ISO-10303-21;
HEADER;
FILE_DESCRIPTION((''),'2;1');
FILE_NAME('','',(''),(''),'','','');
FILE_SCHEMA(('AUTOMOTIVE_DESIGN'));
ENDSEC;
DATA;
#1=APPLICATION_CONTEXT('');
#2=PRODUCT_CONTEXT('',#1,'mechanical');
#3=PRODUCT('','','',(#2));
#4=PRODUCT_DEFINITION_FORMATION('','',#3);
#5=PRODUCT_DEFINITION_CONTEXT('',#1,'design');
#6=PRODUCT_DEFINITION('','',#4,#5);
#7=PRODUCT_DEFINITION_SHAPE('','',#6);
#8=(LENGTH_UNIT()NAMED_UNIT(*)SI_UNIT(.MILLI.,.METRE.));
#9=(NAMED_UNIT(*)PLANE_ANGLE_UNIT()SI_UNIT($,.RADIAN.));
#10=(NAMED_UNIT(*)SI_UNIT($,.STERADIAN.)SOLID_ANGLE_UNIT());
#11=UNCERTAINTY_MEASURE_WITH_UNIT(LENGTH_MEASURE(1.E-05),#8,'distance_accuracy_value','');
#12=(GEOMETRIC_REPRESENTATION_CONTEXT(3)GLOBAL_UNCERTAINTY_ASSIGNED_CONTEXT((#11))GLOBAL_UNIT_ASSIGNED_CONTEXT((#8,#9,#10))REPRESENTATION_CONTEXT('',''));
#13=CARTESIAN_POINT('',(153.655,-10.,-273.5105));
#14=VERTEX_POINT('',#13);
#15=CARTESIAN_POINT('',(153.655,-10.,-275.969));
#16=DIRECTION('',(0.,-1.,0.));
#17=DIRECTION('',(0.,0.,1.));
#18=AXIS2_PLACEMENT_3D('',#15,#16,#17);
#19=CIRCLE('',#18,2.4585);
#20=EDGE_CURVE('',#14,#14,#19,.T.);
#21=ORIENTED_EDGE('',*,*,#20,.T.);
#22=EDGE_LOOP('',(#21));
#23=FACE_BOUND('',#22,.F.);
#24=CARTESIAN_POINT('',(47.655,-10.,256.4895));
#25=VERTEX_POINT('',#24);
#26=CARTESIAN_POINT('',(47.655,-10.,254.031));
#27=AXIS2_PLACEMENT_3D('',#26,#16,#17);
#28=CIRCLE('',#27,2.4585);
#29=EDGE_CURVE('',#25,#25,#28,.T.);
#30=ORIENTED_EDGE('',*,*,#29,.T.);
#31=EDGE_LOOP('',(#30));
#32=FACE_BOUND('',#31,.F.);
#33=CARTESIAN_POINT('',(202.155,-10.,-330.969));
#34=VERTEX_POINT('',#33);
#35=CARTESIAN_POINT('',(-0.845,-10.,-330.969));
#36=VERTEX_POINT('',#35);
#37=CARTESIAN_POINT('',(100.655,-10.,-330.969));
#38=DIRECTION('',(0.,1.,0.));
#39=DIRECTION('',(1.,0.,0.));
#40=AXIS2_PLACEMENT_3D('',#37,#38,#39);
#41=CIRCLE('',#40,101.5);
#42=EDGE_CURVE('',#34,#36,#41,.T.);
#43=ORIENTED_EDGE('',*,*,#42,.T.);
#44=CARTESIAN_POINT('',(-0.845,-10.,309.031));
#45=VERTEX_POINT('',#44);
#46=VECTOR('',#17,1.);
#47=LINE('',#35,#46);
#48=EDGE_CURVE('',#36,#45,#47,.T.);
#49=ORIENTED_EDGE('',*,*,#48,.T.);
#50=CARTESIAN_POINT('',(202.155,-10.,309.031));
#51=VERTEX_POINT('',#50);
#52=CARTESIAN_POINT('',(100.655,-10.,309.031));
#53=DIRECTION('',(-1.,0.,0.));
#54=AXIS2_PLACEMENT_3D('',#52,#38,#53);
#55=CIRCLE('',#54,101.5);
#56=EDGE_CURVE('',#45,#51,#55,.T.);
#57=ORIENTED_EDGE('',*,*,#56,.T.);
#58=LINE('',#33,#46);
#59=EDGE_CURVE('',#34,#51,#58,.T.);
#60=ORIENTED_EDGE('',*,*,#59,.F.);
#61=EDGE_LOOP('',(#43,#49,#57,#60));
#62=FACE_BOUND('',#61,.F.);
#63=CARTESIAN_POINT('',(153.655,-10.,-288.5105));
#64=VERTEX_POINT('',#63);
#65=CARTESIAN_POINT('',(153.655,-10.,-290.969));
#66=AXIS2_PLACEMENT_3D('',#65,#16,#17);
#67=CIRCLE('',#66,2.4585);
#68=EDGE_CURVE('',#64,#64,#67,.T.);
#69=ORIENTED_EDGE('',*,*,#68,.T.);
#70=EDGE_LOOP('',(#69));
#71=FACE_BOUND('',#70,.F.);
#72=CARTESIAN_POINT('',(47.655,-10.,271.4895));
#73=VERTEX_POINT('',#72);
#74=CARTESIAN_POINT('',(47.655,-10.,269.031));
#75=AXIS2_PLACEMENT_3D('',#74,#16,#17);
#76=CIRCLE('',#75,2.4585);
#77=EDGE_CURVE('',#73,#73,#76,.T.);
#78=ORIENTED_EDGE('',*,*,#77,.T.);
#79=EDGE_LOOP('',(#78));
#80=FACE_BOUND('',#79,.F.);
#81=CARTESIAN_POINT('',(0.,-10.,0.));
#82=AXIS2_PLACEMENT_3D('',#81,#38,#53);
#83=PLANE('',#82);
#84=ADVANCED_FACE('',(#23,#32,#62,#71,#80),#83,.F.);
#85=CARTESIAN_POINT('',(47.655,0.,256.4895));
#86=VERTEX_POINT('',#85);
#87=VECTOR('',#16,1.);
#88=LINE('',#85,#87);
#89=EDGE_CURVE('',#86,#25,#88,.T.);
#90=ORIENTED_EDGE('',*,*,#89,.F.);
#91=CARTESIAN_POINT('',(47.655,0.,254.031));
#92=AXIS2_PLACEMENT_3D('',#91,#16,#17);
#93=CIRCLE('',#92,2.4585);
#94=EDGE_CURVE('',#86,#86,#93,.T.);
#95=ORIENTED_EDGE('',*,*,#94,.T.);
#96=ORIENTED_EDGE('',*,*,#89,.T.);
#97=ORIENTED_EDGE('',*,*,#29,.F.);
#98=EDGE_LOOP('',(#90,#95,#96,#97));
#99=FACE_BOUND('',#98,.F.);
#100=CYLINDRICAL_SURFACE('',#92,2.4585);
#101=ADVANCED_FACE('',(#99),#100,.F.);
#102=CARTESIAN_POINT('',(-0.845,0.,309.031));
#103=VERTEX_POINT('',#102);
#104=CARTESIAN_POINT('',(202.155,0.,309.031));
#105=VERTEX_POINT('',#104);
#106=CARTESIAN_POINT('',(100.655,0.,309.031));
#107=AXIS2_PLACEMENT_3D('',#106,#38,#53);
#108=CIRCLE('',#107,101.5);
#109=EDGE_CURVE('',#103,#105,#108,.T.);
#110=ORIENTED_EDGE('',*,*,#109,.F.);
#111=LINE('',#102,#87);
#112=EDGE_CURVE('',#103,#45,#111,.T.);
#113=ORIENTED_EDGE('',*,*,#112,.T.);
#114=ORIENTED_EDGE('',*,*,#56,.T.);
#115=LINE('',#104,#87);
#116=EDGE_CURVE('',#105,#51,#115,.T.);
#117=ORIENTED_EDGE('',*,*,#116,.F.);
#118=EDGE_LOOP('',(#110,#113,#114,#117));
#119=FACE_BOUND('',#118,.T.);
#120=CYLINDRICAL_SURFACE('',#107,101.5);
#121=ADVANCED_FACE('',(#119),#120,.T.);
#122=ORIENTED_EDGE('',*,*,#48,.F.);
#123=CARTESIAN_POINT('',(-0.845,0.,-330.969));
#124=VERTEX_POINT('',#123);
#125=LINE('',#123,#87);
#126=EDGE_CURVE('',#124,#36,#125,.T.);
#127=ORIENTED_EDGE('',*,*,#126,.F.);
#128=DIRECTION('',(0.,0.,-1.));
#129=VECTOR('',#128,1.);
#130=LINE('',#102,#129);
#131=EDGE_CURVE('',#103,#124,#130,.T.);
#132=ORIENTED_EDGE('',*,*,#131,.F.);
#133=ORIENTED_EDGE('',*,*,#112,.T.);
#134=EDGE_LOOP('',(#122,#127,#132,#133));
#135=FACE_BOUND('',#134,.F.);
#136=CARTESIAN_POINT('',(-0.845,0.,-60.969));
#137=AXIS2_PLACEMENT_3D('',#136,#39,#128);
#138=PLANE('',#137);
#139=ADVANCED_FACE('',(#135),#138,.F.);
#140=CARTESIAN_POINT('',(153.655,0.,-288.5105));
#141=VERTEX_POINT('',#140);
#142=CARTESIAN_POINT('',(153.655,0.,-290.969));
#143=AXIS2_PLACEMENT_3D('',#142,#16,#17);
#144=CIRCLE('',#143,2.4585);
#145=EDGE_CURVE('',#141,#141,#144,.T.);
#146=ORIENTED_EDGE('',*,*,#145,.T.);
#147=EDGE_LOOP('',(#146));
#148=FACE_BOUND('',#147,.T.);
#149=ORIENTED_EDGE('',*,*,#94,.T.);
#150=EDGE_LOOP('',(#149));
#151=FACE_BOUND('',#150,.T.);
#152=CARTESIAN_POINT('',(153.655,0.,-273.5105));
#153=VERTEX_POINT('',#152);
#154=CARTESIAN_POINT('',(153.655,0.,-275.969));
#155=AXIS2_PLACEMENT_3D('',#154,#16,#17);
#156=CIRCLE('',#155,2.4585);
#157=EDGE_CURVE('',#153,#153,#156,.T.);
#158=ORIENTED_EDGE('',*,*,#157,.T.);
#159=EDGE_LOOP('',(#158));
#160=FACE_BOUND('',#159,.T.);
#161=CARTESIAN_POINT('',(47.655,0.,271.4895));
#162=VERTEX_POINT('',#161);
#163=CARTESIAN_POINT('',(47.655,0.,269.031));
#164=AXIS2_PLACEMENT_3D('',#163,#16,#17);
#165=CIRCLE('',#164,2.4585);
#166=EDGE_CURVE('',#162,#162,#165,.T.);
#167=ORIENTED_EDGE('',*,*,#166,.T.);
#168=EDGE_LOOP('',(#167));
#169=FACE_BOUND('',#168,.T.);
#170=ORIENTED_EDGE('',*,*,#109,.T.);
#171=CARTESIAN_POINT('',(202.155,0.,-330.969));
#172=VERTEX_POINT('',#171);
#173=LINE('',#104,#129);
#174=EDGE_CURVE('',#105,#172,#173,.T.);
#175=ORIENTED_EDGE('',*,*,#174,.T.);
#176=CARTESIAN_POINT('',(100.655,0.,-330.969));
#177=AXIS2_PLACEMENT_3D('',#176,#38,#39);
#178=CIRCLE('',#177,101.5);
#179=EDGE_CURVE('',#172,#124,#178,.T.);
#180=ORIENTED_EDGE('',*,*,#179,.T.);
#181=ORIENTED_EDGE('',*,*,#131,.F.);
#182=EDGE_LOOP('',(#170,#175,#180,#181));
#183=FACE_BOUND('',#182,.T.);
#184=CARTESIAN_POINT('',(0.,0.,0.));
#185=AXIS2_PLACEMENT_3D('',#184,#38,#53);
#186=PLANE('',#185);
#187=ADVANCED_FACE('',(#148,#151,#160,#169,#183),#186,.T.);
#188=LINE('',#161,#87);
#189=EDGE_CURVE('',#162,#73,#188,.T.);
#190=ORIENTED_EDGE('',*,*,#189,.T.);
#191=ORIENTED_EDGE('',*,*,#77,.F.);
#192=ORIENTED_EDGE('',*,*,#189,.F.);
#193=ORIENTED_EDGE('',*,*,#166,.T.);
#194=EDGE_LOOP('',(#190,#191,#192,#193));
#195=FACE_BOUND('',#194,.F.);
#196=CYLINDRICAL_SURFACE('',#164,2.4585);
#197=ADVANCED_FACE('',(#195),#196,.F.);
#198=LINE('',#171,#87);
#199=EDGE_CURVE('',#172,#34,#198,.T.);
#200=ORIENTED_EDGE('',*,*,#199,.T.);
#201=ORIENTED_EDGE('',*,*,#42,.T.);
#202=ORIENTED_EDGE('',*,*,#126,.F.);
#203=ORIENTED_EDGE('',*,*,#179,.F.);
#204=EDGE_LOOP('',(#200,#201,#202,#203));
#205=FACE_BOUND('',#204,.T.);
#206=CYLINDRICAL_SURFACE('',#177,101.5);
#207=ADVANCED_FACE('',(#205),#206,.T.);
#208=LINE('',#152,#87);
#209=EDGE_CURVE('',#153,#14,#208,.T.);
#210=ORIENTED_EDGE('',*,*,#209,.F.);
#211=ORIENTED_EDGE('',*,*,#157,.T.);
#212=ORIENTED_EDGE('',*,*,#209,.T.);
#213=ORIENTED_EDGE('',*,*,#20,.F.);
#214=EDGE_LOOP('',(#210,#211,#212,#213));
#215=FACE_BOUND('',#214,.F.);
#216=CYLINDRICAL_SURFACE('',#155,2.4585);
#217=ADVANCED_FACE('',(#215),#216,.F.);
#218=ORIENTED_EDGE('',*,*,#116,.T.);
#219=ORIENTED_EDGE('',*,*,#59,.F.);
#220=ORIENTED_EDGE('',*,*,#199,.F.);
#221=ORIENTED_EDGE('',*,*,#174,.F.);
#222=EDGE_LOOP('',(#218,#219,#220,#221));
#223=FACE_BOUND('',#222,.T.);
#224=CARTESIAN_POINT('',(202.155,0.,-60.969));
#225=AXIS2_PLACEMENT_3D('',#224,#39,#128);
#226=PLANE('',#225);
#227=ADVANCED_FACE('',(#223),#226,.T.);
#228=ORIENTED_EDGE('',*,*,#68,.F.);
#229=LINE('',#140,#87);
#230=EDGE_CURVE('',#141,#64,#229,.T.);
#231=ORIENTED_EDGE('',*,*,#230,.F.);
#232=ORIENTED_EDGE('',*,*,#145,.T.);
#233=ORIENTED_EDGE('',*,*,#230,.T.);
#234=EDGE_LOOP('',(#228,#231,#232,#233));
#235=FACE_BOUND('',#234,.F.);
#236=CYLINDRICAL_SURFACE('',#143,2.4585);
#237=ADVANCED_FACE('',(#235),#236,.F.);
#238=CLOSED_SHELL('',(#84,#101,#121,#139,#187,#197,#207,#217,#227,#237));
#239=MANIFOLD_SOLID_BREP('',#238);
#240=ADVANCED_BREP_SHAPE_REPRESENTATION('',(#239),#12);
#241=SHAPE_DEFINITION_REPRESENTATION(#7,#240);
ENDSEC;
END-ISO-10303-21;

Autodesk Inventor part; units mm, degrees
ref_plane "YZ Plane" through (0, 0, 0) normal (1, 0, 0) x (0, 1, 0)
ref_plane "XZ Plane" through (0, 0, 0) normal (0, 1, 0) x (-1, 0, 0)
ref_plane "XY Plane" through (0, 0, 0) normal (0, 0, 1) x (1, 0, 0)
sketch "スケッチ1" plane through (0, 0, 0) normal (0, 1, 0) x (-1, 0, 0)
  point P0 (0, 0)
sketch "スケッチ2" plane through (0, 0, 0) normal (0, 1, 0) x (-1, 0, 0)
  line L0 (0.845, -60.969) -> (0.845, -330.969)
  line L1 (0, 0) -> (0, -1.5537)
  line L2 (-202.155, -60.969) -> (-202.155, -330.969)
  arc A0 (-202.155, -330.969) -> (0.845, -330.969) centre (-100.655, -330.969) ccw
  line L3 (0.845, -60.969) -> (0.845, 309.031)
  line L4 (-202.155, -60.969) -> (-202.155, 309.031)
  arc A1 (0.845, 309.031) -> (-202.155, 309.031) centre (-100.655, 309.031) ccw
  circle A2 centre (-47.655, 289.031) radius 6
  circle A3 centre (-47.655, 274.031) radius 6
  circle A4 centre (-153.655, -310.969) radius 6
  circle A5 centre (-153.655, -295.969) radius 6
  dimension "d0" = 270
  dimension "d1" = 203
  dimension "d38" = 12
  dimension "d39" = 20
  dimension "d40" = 12
  dimension "d41" = 15
  dimension "d42" = 48.5
  dimension "d43" = 48.5
  dimension "d44" = 12
  dimension "d45" = 12
  dimension "d46" = 20
  dimension "d47" = 15
  dimension "d48" = 48.5
  dimension "d49" = 48.5
extrude "押し出し1" add sketch "スケッチ2" against normal blind 10 contours L0 A0 L2 L4 A1 L3 | A2 | A3 | A4 | A5
sketch "スケッチ6" plane through (0, 0, 0) normal (0, 1, 0) x (1, 0, 0)
  circle A0 centre (153.655, 290.969) radius 6
  circle A1 centre (153.655, 275.969) radius 6
  arc A2 (202.155, 330.969) -> (-0.845, 330.969) centre (100.655, 330.969) ccw projected
  line L0 (202.155, 330.969) -> (202.155, -309.031) projected
  point P0 (0, 0)
  dimension "d50" = 12
  dimension "d51" = 12
  dimension "d52" = 40
  dimension "d53" = 48.5
  dimension "d54" = 48.5
  dimension "d55" = 15
hole "穴4" at (153.655, 0, -290.969) at (153.655, 0, -275.969) direction (0, -1, 0) diameter 4.917 end through all thread size "M6x1" class "6H" standard "ANSI Metric M Profile"
sketch "スケッチ7" plane through (0, 0, 0) normal (0, 1, 0) x (1, 0, 0)
  circle A0 centre (47.655, -269.031) radius 6
  circle A1 centre (47.655, -254.031) radius 6
  line L0 (-0.845, -309.031) -> (-0.845, 330.969) projected
  arc A2 (-0.845, -309.031) -> (202.155, -309.031) centre (100.655, -309.031) ccw projected
  point P0 (0, 0)
  dimension "d63" = 12
  dimension "d64" = 12
  dimension "d65" = 48.5
  dimension "d66" = 48.5
  dimension "d67" = 40
  dimension "d68" = 15
hole "穴5" at (47.655, 0, 254.031) at (47.655, 0, 269.031) direction (0, -1, 0) diameter 4.917 end through all thread size "M6x1" class "6H" standard "ANSI Metric M Profile"
properties part number "sfp_smartboard_upper_deck" material "合板、仕上げ"
